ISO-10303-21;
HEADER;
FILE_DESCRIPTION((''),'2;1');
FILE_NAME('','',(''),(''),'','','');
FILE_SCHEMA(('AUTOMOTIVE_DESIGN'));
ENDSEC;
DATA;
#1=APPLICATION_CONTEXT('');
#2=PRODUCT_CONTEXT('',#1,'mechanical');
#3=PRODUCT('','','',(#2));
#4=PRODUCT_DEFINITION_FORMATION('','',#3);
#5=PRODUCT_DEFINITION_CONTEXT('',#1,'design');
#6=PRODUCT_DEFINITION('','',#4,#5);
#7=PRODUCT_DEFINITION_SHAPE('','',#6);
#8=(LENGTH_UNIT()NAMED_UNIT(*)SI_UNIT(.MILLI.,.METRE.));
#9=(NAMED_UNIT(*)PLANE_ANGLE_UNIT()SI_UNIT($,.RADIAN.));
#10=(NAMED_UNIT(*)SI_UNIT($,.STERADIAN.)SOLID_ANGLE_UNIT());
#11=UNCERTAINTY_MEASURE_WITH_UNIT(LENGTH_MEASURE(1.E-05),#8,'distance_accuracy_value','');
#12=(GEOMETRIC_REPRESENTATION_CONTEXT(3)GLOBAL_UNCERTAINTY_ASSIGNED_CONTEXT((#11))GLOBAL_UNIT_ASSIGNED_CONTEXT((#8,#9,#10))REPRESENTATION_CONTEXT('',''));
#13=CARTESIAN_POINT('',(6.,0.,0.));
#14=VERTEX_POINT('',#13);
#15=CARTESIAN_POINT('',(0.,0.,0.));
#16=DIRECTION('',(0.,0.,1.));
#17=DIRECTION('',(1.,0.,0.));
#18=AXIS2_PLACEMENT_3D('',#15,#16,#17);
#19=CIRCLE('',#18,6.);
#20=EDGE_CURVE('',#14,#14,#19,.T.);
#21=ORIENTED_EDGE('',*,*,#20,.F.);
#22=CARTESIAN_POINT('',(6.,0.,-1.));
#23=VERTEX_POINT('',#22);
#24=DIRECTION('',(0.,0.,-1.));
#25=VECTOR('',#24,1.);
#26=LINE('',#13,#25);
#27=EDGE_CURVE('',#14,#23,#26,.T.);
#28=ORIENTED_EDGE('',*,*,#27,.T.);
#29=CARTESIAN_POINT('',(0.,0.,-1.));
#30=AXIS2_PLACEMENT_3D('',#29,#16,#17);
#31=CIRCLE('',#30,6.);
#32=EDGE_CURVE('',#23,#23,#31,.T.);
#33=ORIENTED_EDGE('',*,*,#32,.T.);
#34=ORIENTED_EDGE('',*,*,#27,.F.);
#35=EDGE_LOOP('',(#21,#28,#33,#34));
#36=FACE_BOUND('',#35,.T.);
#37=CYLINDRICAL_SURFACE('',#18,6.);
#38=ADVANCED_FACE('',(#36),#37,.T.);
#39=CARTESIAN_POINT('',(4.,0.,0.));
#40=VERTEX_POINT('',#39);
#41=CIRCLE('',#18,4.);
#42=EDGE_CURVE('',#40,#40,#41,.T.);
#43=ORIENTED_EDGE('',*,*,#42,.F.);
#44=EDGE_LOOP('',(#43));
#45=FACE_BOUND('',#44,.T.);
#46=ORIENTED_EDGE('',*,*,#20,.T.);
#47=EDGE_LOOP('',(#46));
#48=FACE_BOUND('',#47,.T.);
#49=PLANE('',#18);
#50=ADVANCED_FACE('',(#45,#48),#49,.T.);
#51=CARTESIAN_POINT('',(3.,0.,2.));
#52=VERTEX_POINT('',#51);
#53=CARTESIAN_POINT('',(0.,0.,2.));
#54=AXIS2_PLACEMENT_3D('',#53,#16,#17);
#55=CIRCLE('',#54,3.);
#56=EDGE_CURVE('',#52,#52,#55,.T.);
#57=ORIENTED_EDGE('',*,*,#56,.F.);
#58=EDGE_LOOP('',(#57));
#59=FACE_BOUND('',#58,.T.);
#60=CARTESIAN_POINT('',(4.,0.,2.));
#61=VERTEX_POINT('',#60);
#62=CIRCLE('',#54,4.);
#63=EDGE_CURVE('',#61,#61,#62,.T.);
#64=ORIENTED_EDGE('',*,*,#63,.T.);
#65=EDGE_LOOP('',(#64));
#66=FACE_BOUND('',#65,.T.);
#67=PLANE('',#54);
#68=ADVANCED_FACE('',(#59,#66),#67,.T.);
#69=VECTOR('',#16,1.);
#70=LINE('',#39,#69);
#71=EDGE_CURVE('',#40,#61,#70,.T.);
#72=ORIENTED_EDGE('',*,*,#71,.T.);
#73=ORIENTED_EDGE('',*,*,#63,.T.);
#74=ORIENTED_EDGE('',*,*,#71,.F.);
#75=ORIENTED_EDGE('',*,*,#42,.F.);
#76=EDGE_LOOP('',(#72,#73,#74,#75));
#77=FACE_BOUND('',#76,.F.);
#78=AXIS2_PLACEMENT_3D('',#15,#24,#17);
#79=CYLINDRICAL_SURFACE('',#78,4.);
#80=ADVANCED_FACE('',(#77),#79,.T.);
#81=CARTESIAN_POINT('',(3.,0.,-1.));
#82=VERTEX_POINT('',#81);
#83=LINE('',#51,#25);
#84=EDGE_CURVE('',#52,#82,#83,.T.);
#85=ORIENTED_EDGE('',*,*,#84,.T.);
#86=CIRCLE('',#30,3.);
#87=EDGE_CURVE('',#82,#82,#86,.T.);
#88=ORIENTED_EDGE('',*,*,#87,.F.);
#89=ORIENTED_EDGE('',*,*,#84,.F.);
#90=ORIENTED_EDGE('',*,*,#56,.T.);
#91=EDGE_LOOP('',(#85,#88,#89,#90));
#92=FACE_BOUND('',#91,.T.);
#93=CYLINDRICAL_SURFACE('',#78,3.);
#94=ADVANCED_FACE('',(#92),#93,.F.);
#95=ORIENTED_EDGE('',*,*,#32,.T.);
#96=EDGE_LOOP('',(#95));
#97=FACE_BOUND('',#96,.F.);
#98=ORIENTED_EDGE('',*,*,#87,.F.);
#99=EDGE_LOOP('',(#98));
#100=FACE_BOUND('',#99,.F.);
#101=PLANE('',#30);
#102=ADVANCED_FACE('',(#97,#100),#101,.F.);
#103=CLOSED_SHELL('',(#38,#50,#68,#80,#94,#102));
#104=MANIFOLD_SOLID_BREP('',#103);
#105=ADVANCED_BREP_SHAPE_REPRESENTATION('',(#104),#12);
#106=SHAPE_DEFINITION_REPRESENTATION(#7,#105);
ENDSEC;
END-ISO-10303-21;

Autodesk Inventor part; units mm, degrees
ref_plane "YZ Plane" through (0, 0, 0) normal (1, 0, 0) x (0, 1, 0)
ref_plane "XZ Plane" through (0, 0, 0) normal (0, 1, 0) x (-1, 0, 0)
ref_plane "XY Plane" through (0, 0, 0) normal (0, 0, 1) x (1, 0, 0)
sketch "スケッチ1" plane through (0, 0, 0) normal (0, 0, 1) x (1, 0, 0)
  circle A0 centre (0, 0) radius 3
  circle A1 centre (0, 0) radius 4
  circle A2 centre (0, 0) radius 6
  dimension "d0" = 6
  dimension "d1" = 8
  dimension "d4" = 12
extrude "押し出し1" add sketch "スケッチ1" along normal blind 2 contours A1
extrude "押し出し2" add sketch "スケッチ1" against normal blind 1 contours A1 | A2
properties part number "オイレスFd6D8L3" material "アセタール樹脂、黒"
